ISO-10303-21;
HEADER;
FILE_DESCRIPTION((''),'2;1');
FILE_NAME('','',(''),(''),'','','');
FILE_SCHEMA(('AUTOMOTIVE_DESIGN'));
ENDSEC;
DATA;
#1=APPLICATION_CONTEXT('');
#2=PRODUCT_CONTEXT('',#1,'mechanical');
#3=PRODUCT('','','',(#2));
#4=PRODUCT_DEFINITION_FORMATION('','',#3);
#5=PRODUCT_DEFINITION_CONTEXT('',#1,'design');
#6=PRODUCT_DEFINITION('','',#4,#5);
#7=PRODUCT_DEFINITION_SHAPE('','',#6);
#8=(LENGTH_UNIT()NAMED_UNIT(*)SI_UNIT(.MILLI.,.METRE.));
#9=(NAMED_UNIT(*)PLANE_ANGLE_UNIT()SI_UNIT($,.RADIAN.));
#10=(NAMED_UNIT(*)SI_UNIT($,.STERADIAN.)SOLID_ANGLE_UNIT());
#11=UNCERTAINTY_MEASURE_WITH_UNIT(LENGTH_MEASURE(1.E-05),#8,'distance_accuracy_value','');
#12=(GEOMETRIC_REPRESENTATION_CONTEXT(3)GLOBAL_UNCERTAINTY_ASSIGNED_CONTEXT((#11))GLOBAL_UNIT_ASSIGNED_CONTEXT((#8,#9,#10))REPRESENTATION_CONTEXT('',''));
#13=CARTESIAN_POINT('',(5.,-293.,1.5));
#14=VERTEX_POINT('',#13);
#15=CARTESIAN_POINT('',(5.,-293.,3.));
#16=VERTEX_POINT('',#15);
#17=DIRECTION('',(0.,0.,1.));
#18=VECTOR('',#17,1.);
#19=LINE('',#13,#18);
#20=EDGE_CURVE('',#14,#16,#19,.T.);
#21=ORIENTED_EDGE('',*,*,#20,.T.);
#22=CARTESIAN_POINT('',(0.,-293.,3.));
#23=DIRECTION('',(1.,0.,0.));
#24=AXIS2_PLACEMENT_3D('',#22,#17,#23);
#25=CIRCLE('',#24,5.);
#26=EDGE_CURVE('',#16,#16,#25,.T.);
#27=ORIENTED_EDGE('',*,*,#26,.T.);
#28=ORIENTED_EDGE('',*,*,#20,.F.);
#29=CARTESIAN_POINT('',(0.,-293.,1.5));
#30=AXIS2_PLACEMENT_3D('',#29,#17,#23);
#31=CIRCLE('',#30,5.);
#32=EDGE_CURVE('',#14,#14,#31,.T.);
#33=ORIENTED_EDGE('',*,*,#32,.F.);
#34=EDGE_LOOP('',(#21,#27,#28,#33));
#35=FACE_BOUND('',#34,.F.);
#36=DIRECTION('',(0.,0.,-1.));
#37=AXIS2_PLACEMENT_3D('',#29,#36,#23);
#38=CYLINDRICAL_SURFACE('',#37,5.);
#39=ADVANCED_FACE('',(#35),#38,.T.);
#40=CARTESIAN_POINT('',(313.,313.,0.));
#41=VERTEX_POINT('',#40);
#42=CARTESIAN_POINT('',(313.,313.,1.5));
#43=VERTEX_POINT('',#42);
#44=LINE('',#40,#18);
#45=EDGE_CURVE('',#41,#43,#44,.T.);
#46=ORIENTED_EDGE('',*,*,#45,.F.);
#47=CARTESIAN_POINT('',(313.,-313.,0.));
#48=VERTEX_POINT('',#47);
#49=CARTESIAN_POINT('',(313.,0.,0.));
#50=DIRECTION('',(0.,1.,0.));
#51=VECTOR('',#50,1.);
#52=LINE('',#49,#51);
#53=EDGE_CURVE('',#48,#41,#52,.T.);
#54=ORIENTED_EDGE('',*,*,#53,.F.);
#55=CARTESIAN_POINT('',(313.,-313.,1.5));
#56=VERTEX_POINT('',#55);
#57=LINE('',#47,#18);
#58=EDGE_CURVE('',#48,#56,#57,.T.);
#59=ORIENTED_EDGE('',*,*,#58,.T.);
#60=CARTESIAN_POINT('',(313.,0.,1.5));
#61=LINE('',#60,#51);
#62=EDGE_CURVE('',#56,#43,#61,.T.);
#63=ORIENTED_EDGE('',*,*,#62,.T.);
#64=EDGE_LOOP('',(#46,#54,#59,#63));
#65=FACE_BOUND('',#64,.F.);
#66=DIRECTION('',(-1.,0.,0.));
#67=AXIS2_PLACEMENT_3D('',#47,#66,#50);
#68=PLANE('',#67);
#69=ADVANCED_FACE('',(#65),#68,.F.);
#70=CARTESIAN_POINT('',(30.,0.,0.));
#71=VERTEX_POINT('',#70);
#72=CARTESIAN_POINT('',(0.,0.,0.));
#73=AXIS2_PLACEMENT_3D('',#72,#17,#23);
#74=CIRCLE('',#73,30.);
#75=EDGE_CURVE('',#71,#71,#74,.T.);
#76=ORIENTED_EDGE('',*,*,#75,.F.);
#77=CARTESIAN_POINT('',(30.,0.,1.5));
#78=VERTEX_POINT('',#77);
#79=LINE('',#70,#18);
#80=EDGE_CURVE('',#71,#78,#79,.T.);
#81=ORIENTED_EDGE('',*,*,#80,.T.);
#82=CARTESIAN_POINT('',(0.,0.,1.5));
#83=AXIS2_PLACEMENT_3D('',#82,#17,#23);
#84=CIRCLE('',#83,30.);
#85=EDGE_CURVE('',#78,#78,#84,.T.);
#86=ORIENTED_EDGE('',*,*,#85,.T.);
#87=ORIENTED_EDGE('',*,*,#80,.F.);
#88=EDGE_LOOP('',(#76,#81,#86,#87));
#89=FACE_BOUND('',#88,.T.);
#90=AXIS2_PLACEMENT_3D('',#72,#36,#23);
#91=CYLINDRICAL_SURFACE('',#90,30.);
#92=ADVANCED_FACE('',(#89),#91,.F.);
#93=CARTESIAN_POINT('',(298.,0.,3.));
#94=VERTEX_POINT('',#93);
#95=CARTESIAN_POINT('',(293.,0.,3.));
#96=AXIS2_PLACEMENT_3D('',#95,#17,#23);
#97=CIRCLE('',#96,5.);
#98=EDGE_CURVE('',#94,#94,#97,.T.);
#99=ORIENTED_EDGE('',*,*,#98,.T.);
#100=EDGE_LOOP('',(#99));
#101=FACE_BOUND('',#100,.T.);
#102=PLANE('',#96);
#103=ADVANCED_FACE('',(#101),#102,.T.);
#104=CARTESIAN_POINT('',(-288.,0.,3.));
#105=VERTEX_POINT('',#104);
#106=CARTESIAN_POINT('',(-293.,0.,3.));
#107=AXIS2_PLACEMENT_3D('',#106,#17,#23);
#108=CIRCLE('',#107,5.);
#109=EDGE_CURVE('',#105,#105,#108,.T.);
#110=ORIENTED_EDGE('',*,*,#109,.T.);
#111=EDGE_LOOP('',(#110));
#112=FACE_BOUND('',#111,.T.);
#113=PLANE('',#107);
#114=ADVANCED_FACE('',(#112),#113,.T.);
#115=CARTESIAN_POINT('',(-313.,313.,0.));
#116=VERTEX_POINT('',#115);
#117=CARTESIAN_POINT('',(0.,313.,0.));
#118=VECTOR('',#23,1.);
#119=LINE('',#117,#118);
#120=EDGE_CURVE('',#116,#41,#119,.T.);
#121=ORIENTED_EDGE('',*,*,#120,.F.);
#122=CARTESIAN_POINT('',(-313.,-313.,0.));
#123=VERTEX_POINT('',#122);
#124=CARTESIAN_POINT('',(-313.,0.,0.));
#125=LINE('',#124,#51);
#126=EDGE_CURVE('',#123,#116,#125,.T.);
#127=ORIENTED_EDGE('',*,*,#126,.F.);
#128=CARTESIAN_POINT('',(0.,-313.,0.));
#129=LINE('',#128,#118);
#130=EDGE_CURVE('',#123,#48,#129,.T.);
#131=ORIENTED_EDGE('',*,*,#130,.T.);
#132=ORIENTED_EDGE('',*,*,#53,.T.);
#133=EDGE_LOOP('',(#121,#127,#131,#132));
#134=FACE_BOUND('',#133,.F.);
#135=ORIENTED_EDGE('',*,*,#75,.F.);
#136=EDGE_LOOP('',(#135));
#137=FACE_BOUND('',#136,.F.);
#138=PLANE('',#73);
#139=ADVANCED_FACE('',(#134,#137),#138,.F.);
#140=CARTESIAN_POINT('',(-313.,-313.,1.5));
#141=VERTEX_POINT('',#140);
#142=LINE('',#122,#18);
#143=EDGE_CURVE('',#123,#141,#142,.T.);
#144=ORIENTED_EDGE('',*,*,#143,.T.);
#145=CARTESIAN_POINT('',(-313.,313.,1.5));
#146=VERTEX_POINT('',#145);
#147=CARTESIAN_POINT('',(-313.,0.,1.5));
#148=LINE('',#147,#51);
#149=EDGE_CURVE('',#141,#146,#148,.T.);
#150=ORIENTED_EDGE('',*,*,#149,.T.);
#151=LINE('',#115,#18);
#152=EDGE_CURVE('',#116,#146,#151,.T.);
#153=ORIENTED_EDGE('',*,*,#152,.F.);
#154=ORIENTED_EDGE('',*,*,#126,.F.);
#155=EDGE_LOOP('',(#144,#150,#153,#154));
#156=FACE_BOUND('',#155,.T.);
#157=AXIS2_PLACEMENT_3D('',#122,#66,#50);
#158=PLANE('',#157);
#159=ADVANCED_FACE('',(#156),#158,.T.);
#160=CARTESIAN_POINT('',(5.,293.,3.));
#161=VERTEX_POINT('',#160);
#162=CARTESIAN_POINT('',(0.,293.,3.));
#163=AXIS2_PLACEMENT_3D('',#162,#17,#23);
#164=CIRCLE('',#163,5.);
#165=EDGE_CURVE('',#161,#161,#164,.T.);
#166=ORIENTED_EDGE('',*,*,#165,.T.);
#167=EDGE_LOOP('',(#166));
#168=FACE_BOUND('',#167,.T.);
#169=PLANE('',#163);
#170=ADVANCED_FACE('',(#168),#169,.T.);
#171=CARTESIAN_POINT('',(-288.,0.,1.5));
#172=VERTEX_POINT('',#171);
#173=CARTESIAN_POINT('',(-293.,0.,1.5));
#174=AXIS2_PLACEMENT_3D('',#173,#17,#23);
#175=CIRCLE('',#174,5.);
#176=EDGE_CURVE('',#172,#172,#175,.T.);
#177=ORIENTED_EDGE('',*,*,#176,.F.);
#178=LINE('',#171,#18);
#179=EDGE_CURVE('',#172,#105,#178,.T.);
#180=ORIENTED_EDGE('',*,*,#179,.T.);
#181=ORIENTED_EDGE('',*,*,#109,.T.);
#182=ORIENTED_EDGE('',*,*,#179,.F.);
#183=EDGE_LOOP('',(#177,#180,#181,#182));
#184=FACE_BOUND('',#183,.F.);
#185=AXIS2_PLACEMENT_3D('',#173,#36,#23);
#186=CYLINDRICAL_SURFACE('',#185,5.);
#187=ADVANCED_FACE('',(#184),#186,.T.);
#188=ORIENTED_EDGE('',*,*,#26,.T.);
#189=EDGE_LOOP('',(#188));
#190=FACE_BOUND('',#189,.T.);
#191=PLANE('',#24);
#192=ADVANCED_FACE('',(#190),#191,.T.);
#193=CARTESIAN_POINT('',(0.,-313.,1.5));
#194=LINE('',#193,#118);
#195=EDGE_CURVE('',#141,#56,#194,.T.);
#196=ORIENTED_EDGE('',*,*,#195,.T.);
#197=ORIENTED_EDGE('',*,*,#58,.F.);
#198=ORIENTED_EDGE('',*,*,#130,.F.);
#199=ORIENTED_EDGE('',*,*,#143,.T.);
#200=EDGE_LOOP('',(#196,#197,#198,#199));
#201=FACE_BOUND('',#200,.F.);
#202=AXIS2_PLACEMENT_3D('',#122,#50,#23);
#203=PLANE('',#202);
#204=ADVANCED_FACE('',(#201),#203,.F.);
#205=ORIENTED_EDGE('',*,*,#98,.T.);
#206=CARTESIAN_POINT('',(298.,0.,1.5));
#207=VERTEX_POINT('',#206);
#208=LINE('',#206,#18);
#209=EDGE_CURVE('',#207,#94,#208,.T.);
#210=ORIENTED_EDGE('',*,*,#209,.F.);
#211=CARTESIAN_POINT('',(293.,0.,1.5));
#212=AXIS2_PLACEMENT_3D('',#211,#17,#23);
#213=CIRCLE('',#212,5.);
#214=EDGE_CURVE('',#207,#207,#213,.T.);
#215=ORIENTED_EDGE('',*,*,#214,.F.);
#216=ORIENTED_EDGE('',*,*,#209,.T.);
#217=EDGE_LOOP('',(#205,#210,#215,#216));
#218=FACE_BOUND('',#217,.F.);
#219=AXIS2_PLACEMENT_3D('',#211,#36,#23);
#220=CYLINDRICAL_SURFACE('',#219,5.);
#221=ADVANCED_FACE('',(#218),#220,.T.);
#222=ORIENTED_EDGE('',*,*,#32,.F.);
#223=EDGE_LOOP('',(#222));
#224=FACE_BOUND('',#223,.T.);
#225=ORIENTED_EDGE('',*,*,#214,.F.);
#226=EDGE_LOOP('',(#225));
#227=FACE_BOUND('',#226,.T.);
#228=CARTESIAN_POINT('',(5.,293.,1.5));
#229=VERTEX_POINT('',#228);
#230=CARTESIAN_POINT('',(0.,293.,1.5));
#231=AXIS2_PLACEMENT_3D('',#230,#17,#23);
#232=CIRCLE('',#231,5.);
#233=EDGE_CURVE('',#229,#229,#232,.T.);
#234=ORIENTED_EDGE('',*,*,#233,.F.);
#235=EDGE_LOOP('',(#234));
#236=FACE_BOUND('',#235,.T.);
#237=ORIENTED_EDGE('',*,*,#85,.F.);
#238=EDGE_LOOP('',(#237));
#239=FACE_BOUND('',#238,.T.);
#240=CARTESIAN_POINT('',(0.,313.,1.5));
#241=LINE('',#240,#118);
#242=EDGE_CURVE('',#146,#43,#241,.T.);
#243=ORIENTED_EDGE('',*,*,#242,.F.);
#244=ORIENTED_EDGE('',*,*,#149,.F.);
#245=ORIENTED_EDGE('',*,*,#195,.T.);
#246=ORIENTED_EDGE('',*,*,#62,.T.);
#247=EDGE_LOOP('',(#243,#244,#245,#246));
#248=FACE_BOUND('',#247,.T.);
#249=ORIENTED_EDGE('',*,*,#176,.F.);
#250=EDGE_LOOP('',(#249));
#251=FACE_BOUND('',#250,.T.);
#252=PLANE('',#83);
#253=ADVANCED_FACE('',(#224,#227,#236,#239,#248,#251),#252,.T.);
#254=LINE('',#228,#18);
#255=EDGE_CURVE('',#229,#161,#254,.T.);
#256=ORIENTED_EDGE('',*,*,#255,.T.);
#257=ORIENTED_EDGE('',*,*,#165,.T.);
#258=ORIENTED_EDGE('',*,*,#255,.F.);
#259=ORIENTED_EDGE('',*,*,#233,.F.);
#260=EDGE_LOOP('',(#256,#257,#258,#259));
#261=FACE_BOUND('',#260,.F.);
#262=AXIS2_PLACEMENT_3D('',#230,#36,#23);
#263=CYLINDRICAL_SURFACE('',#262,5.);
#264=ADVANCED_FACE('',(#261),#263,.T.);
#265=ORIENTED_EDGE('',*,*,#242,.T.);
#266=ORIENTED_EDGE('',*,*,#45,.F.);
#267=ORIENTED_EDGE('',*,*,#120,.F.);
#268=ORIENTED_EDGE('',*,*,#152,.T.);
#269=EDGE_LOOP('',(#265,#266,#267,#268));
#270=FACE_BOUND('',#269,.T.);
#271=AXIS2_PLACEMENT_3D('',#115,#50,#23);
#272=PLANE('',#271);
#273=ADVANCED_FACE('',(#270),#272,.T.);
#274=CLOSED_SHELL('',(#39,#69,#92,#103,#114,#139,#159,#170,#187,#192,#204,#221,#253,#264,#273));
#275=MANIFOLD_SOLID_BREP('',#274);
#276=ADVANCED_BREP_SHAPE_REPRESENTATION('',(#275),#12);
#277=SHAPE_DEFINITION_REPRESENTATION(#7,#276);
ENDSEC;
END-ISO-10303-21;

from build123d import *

# Parameters (mm, degrees)
SKETCH2_W           = 626
SKETCH2_H           = 626
SKETCH2_R           = 30
BOSS_EXTRUDE1_DEPTH = 1.5
SKETCH3_R           = 5
BOSS_EXTRUDE2_DEPTH = 1.5


with BuildPart() as part:
    # Sketch2 → Boss-Extrude1 (new body)
    with BuildSketch(Plane.XY):
        Rectangle(SKETCH2_W, SKETCH2_H)
        Circle(SKETCH2_R, mode=Mode.SUBTRACT)
    extrude(amount=BOSS_EXTRUDE1_DEPTH)

    # Sketch3 → Boss-Extrude2 (add)
    with BuildSketch(Plane.XY.offset(1.5)):
        with Locations((0, 293)):
            Circle(SKETCH3_R)
        with Locations((-293, 0)):
            Circle(SKETCH3_R)
        with Locations((0, -293)):
            Circle(SKETCH3_R)
        with Locations((293, 0)):
            Circle(SKETCH3_R)
    extrude(amount=BOSS_EXTRUDE2_DEPTH)


solid = part.part
